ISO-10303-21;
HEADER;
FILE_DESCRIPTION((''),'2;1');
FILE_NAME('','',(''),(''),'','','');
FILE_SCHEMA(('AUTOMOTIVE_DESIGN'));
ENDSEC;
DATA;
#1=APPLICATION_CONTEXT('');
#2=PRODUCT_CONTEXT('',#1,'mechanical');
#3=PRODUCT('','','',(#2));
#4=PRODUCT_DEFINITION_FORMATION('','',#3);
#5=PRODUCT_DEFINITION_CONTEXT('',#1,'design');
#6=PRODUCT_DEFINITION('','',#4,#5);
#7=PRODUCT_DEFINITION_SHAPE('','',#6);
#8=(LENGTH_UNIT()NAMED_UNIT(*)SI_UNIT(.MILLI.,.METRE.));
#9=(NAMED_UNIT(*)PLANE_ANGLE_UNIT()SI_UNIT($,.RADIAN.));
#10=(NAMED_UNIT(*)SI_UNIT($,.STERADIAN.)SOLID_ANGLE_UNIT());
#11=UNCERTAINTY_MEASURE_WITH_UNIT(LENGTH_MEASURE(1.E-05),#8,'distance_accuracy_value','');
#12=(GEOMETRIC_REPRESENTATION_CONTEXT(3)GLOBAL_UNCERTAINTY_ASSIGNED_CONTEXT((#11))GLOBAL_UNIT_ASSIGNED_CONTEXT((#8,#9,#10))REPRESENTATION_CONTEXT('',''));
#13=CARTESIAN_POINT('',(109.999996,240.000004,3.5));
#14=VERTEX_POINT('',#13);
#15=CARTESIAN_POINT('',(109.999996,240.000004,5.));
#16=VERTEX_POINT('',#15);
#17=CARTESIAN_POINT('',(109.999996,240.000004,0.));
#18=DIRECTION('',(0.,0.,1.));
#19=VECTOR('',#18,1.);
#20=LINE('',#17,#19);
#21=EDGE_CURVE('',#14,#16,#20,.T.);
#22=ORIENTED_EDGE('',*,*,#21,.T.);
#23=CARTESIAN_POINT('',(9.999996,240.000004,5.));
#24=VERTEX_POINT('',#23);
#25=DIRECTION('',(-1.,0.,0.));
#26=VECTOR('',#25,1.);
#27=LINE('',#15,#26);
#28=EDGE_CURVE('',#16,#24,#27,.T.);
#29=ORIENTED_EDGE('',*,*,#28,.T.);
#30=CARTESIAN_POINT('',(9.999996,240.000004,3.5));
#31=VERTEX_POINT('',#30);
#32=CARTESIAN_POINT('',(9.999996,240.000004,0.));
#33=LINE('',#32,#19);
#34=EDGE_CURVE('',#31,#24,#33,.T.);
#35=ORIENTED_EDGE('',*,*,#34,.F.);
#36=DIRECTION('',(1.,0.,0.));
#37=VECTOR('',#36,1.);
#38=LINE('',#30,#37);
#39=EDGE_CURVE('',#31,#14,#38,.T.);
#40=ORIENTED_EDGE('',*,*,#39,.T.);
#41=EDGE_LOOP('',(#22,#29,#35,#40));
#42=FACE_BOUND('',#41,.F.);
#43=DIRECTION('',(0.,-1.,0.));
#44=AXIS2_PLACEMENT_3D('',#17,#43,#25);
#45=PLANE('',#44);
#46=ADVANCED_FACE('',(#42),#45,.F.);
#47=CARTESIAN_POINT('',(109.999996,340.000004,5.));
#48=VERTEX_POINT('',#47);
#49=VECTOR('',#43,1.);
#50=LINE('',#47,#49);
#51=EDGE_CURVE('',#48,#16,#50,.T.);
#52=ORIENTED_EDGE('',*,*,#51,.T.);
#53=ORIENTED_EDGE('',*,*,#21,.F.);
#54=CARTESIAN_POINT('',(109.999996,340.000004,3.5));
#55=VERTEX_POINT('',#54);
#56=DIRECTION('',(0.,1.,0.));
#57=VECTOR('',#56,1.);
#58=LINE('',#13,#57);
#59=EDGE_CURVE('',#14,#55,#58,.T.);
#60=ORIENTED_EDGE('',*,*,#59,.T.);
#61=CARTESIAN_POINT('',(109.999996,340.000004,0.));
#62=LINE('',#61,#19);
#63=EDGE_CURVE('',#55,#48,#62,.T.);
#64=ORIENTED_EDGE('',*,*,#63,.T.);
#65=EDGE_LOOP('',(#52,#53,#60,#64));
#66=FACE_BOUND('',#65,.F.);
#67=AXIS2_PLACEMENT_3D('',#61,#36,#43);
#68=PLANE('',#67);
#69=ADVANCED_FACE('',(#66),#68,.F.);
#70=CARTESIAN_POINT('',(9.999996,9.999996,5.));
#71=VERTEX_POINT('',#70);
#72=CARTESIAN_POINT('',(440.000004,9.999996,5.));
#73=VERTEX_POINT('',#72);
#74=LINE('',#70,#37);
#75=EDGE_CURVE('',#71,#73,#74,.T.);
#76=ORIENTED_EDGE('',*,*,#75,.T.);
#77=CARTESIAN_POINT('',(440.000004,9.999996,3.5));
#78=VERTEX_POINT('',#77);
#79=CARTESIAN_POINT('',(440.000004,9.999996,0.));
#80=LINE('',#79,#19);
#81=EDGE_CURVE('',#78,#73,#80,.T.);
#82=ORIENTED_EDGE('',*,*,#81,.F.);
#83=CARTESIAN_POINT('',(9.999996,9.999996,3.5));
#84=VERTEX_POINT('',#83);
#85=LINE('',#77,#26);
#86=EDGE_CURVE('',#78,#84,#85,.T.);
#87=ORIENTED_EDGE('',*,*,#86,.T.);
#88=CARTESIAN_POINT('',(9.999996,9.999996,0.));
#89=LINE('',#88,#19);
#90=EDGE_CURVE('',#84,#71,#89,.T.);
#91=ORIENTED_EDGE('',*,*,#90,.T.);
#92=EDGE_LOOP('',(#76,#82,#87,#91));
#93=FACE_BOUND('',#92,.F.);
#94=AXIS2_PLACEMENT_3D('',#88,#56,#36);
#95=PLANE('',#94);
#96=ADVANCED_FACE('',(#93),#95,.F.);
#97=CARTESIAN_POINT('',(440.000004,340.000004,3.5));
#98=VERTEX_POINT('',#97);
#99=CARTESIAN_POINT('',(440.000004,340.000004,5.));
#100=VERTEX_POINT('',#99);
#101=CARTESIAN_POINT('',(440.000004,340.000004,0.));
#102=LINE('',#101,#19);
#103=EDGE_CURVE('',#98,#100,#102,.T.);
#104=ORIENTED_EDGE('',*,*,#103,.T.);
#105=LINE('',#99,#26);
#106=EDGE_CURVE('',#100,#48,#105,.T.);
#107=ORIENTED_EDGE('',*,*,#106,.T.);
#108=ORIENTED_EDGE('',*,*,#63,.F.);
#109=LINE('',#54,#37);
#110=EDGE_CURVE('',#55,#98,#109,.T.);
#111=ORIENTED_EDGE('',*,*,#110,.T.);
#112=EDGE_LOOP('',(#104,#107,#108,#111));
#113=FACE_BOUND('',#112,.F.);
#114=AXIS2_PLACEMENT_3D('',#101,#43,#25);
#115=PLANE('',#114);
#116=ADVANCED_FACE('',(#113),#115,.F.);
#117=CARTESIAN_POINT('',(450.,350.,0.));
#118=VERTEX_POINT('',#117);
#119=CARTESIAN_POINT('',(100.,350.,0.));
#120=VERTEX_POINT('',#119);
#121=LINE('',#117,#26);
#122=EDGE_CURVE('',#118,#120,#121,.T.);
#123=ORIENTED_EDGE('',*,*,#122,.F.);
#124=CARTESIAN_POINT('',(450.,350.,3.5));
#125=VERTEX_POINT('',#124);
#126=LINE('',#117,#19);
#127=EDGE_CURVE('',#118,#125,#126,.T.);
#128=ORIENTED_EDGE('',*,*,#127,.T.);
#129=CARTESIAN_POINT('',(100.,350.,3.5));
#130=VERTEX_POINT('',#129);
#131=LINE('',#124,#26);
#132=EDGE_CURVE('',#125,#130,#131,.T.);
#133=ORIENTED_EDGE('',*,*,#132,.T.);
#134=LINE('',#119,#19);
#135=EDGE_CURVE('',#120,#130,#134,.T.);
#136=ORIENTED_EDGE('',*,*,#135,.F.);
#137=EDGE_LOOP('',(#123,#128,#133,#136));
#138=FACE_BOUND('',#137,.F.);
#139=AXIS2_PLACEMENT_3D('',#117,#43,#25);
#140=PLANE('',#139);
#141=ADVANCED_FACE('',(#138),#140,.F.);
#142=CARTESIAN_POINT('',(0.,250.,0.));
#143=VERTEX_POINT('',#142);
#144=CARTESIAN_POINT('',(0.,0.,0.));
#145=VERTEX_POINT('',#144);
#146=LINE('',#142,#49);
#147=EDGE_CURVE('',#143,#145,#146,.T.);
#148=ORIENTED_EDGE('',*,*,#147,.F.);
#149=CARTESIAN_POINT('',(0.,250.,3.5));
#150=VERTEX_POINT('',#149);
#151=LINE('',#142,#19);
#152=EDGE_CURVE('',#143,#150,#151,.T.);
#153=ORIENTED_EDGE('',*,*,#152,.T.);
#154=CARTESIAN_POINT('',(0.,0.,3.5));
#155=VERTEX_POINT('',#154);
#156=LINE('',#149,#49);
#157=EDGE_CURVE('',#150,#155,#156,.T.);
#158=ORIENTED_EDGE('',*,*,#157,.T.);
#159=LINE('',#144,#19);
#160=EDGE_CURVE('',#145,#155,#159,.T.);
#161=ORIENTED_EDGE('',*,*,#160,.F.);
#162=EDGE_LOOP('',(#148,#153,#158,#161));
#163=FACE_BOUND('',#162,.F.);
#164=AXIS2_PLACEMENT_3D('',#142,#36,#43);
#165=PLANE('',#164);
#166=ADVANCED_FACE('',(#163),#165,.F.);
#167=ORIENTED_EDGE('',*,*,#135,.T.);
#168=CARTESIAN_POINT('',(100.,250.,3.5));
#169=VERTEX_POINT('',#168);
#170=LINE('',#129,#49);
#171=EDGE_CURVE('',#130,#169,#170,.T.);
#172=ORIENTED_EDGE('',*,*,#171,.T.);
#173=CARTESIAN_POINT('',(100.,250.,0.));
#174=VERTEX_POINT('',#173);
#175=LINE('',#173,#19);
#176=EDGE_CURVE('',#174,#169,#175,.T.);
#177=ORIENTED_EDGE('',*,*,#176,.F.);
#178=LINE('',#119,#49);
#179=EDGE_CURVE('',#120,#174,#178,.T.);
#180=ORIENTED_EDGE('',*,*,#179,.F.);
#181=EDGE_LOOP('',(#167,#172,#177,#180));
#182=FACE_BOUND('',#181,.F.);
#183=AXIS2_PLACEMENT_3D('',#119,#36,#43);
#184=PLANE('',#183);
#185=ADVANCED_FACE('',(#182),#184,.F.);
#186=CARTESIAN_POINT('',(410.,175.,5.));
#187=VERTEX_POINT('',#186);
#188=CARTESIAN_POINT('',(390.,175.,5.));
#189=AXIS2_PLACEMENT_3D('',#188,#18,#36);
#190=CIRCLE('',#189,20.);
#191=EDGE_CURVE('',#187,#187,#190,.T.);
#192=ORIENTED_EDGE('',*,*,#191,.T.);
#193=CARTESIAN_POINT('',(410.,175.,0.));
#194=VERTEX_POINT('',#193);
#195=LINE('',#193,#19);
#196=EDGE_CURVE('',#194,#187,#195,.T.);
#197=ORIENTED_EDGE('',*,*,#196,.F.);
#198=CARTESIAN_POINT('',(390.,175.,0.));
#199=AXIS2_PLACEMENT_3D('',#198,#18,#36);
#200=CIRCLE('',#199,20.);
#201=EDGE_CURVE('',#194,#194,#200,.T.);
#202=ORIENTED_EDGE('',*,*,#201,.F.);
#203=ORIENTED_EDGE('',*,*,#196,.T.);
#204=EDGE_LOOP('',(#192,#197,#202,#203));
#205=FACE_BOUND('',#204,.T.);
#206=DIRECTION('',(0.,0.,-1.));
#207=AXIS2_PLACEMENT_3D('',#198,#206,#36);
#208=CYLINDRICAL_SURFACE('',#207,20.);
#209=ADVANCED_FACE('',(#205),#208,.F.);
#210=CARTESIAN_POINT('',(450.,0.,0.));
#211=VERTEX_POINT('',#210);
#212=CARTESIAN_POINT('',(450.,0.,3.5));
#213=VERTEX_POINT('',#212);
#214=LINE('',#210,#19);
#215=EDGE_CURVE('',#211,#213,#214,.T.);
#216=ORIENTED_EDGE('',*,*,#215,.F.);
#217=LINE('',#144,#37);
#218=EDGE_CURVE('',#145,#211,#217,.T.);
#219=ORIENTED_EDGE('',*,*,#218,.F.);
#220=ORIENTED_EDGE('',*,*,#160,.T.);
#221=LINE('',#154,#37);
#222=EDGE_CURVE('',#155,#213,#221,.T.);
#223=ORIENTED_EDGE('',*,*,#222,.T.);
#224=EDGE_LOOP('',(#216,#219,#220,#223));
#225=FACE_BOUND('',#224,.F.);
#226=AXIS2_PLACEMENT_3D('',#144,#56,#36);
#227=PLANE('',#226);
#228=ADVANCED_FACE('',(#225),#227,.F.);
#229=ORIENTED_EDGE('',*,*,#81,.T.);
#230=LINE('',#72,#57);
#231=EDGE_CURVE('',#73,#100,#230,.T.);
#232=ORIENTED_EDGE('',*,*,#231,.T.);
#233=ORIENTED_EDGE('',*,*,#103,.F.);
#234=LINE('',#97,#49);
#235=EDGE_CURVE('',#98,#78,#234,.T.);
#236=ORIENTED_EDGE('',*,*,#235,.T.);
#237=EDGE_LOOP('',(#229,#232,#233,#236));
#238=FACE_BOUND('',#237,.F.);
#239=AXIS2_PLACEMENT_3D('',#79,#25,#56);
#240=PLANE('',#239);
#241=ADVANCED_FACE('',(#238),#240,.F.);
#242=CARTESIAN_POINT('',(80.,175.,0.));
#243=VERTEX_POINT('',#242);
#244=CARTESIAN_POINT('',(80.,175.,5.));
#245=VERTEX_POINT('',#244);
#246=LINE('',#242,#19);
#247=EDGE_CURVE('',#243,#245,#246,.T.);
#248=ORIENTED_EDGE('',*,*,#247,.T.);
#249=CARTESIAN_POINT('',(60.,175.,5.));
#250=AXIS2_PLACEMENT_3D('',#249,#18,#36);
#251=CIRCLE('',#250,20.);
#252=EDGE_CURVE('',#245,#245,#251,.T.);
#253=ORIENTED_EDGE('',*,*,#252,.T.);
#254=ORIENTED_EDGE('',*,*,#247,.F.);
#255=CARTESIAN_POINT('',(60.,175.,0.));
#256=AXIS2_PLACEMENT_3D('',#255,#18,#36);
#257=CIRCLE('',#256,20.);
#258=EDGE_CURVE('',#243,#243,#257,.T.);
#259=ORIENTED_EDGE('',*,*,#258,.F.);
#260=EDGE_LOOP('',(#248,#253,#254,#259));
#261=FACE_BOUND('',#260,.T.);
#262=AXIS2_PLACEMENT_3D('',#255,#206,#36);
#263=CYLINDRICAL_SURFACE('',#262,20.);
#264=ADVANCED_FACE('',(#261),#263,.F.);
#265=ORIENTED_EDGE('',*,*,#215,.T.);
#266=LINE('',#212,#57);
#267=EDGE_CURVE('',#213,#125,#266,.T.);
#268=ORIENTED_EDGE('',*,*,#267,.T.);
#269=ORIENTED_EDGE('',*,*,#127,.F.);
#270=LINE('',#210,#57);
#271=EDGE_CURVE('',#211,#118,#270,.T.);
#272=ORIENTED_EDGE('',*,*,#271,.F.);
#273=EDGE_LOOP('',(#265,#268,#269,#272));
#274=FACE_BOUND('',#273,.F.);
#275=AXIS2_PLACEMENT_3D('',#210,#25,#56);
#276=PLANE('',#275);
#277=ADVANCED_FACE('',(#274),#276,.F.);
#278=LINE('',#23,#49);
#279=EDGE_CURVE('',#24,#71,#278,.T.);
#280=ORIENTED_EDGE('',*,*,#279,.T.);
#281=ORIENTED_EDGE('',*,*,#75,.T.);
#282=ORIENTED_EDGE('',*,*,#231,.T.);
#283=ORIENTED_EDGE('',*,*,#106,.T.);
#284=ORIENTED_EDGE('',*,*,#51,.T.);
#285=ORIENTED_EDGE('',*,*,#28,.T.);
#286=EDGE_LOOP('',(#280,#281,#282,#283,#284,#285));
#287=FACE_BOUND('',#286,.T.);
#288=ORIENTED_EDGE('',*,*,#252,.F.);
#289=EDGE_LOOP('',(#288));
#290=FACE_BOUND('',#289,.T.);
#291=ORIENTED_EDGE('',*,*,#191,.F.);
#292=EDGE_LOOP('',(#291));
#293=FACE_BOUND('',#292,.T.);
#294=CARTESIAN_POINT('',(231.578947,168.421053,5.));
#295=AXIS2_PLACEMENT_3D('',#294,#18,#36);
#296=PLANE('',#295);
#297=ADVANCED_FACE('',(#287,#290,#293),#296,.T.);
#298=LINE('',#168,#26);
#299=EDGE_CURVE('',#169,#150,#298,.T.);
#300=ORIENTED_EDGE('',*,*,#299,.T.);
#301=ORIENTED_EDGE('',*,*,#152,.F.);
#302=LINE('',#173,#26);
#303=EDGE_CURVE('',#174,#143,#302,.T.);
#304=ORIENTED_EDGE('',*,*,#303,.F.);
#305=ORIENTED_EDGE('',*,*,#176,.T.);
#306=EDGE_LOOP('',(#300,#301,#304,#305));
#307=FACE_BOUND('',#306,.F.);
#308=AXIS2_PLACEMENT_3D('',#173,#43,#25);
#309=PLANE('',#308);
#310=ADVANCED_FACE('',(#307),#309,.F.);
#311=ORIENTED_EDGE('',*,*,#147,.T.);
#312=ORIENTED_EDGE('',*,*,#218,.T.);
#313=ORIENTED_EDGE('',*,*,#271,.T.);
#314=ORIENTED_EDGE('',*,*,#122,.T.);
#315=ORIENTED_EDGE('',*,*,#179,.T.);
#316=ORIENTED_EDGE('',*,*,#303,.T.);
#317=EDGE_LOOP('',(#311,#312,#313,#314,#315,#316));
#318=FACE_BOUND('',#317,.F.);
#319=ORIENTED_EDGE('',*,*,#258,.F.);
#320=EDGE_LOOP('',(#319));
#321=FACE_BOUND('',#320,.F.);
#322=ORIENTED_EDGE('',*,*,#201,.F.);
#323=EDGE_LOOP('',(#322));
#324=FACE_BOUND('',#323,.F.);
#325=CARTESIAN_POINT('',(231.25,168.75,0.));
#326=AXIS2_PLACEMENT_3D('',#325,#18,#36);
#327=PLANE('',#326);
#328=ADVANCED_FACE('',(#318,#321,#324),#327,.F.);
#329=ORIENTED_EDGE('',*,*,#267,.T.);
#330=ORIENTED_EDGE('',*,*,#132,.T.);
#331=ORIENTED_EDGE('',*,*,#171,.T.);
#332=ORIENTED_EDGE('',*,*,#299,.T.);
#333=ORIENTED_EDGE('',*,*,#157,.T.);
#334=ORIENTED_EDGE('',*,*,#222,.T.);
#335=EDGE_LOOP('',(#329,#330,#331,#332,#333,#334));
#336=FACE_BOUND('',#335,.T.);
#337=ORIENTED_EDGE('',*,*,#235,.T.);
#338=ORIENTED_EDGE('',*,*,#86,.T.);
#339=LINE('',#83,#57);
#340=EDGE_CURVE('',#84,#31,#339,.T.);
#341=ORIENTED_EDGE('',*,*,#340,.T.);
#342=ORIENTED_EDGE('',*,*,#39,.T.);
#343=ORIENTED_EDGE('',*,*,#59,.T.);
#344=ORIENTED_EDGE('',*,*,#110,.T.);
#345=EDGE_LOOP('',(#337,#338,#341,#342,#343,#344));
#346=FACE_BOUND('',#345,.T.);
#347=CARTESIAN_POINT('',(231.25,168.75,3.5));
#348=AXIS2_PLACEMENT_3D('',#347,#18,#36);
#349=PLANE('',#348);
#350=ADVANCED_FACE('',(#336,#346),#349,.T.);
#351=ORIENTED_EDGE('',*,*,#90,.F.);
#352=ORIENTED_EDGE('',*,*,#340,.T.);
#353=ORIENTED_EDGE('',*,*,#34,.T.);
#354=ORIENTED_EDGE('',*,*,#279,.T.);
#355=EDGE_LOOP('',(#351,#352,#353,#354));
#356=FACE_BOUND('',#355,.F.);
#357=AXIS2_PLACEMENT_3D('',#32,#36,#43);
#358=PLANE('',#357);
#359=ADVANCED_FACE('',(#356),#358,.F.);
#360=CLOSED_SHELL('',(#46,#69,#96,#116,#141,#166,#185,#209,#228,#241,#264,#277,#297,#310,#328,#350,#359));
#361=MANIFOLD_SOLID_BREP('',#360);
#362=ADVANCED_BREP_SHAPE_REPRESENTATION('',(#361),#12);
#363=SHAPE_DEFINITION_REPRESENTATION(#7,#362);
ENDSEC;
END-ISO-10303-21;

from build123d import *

# Parameters (mm, degrees)
F0_R     = 20
F1_DEPTH = 5
F2_DEPTH = 3.5


with BuildPart() as f1:
    # F0 (on Top) → F1 (new body)
    with BuildSketch(Plane.XY):
        Polygon((9.999996, 9.999996), (440.000004, 9.999996), (440.000004, 340.000004), (109.999996, 340.000004), (109.999996, 240.000004), (9.999996, 240.000004), align=None)
        with Locations((60, 175)):
            Circle(F0_R, mode=Mode.SUBTRACT)
        with Locations((390, 175)):
            Circle(F0_R, mode=Mode.SUBTRACT)
    extrude(amount=F1_DEPTH)

    # F0 (on Top) → F2 (join)
    with BuildSketch(Plane.XY):
        Polygon((0, 250), (0, 0), (450, 0), (450, 350), (100, 350), (100, 250), align=None)
        Polygon((440.000004, 340.000004), (440.000004, 9.999996), (9.999996, 9.999996), (9.999996, 240.000004), (109.999996, 240.000004), (109.999996, 340.000004), align=None, mode=Mode.SUBTRACT)
    extrude(amount=F2_DEPTH)


solid = f1.part
